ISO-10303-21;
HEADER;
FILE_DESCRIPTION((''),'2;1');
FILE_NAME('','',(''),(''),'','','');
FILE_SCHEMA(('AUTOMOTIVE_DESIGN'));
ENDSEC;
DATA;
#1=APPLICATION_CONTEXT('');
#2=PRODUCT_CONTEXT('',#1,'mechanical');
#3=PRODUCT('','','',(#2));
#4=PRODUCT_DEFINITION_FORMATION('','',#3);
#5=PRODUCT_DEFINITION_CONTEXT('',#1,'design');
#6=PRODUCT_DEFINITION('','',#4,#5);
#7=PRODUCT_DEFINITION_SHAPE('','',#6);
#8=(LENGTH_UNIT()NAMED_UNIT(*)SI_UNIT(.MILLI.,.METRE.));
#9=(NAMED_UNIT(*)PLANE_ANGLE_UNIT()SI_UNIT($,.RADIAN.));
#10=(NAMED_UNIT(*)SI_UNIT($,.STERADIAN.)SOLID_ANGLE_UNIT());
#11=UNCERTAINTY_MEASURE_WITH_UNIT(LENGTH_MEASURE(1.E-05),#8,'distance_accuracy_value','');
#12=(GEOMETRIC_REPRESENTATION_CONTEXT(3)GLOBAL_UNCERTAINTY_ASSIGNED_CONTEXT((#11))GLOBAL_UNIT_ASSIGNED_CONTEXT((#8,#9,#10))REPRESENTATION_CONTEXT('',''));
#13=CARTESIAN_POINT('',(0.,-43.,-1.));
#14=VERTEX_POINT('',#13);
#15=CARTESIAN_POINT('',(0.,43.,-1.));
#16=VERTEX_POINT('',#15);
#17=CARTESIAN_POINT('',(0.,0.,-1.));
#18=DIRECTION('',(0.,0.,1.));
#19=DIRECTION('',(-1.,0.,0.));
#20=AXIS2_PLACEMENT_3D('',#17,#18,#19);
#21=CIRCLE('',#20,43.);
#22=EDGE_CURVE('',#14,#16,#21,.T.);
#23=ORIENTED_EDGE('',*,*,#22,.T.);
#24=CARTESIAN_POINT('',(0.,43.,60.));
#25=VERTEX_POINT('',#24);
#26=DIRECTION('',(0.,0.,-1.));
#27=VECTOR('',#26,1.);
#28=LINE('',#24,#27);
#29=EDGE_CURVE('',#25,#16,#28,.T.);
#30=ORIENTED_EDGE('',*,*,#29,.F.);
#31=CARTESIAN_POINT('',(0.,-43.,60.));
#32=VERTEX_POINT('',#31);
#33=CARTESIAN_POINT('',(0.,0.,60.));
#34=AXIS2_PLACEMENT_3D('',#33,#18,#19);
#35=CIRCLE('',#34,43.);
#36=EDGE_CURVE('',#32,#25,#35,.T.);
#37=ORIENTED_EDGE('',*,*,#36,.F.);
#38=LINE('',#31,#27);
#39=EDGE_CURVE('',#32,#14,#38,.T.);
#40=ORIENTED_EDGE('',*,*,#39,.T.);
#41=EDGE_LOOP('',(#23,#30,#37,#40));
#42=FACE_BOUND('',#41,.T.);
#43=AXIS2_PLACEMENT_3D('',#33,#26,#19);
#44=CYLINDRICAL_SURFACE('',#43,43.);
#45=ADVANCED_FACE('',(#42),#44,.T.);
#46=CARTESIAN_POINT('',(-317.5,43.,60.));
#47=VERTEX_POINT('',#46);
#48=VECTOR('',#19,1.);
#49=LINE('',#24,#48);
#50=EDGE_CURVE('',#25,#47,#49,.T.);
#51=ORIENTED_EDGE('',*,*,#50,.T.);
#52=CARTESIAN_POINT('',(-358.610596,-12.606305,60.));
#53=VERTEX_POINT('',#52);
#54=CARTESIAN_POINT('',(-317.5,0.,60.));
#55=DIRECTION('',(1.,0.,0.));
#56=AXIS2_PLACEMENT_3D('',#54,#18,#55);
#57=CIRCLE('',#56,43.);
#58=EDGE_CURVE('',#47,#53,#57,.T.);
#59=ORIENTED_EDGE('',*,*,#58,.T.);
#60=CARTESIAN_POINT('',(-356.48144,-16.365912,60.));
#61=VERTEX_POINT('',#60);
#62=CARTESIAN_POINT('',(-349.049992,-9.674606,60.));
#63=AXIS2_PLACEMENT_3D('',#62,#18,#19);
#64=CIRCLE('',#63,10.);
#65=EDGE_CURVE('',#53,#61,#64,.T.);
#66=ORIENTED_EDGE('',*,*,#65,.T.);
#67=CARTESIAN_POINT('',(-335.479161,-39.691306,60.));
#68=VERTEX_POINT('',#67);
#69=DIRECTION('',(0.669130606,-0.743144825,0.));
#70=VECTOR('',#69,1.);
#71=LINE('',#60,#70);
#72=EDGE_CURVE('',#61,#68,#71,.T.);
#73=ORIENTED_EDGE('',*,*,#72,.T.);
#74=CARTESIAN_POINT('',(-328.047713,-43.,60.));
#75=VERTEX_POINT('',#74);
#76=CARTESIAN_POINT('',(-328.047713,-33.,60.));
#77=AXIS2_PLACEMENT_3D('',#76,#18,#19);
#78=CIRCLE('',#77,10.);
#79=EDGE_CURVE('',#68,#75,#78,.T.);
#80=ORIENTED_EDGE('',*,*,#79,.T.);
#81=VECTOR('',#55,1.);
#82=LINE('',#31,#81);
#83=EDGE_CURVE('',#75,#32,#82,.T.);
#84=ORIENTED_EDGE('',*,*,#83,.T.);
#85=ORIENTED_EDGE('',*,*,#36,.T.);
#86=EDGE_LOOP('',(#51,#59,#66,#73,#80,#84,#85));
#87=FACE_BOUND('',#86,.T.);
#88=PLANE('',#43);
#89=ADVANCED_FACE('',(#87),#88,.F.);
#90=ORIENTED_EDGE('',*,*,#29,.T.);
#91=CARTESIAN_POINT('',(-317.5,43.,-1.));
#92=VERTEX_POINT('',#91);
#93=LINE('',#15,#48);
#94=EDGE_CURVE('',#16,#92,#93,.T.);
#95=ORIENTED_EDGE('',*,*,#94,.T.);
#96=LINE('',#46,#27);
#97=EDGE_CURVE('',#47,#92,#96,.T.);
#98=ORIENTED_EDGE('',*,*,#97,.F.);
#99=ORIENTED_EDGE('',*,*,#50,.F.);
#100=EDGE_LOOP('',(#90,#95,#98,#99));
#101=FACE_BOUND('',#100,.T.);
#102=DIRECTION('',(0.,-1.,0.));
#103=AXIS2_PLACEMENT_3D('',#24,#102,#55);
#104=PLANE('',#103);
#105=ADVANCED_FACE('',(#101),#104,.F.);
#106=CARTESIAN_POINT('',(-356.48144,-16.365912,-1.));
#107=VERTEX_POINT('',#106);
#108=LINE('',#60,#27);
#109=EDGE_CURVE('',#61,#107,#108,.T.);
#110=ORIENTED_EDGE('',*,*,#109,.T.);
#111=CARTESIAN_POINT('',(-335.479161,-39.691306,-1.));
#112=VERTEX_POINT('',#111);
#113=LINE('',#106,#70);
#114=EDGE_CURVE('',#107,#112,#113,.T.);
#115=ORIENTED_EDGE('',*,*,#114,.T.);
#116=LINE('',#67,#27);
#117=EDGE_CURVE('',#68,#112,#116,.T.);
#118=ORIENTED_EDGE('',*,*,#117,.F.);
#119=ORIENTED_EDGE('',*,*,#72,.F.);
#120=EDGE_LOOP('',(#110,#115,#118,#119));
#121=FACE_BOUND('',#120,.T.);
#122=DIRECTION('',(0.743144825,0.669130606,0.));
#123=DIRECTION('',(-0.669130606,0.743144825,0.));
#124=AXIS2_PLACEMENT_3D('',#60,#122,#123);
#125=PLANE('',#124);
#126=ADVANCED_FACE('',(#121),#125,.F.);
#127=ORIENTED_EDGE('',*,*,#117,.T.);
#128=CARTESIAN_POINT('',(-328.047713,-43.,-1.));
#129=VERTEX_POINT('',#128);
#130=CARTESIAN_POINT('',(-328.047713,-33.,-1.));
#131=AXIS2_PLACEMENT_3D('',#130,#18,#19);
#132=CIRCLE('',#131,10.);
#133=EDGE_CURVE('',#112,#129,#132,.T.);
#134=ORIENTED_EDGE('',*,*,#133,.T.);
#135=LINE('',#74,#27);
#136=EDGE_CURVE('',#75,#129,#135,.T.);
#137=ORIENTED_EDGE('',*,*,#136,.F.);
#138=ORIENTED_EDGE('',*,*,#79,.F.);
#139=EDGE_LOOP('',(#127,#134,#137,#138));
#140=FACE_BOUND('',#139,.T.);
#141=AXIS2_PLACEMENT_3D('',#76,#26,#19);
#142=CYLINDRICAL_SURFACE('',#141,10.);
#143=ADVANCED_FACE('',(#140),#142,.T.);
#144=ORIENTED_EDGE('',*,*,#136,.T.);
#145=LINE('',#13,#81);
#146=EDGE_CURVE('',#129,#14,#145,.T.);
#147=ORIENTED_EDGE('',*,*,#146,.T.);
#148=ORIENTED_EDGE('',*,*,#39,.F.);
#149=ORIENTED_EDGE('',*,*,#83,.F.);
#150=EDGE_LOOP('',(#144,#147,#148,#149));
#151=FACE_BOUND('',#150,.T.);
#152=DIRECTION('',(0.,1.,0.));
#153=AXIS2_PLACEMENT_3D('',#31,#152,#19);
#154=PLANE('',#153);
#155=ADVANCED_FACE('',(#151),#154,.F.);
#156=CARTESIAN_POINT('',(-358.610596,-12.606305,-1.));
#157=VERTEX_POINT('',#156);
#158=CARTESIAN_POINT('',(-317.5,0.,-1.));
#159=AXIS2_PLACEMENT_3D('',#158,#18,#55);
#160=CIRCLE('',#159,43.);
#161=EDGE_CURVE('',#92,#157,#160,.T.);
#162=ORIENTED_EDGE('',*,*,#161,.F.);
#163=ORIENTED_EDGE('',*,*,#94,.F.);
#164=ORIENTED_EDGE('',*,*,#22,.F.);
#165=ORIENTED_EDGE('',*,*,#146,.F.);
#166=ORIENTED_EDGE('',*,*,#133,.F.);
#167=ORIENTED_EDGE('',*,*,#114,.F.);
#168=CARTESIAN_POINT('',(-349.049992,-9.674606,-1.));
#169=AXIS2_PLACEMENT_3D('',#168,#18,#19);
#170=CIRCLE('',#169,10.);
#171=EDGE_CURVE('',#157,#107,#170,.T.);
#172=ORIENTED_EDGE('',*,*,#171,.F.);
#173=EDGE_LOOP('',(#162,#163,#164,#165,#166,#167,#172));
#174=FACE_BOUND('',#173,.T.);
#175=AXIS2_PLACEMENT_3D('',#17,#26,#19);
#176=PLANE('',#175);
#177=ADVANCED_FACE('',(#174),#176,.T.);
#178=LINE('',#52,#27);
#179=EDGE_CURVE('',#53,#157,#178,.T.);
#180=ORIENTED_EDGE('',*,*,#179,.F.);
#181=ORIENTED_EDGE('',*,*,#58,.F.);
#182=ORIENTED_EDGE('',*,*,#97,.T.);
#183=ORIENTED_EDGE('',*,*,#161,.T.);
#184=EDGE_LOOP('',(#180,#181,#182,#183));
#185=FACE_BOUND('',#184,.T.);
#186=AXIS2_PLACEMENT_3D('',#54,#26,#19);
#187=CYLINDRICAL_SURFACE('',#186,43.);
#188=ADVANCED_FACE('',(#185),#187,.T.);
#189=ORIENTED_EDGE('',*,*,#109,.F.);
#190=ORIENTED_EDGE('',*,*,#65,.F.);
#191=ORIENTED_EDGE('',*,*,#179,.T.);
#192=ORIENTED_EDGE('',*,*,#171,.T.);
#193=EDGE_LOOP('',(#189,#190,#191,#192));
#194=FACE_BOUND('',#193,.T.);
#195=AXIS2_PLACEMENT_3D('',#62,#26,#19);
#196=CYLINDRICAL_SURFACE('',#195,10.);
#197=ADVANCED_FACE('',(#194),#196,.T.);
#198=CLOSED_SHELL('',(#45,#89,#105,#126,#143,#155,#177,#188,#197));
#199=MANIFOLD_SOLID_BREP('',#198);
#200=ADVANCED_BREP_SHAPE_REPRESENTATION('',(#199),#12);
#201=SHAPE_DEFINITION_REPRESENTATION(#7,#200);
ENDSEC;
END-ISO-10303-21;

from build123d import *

# Parameters (mm, degrees)
EXTRUSION1_DEPTH      = 60
EXTRUSION1_DEPTH_BACK = 1


with BuildPart() as part:
    # Esquisse1 → Extrusion1 (new, two sides: drawn at the far end of the back side and taken through both)
    with BuildSketch(Plane.XY.offset(-EXTRUSION1_DEPTH_BACK)):
        with BuildLine():
            Line((-356.481440216, -16.365912372), (-335.479161402, -39.691306064))
            ThreePointArc((-335.479161402, -39.691306064), (-332.115079578, -42.135454576), (-328.047713147, -43))
            Line((-328.047713147, -43), (0, -43))
            ThreePointArc((0, -43), (43, 0), (0, 43))
            Line((0, 43), (-317.5, 43))
            ThreePointArc((-317.5, 43), (-352.076517488, 25.562950503), (-358.610595586, -12.60630519))
            ThreePointArc((-358.610595586, -12.60630519), (-357.751492884, -14.602474173), (-356.481440216, -16.365912372))
        make_face()
    extrude(amount=EXTRUSION1_DEPTH + EXTRUSION1_DEPTH_BACK)


solid = part.part
